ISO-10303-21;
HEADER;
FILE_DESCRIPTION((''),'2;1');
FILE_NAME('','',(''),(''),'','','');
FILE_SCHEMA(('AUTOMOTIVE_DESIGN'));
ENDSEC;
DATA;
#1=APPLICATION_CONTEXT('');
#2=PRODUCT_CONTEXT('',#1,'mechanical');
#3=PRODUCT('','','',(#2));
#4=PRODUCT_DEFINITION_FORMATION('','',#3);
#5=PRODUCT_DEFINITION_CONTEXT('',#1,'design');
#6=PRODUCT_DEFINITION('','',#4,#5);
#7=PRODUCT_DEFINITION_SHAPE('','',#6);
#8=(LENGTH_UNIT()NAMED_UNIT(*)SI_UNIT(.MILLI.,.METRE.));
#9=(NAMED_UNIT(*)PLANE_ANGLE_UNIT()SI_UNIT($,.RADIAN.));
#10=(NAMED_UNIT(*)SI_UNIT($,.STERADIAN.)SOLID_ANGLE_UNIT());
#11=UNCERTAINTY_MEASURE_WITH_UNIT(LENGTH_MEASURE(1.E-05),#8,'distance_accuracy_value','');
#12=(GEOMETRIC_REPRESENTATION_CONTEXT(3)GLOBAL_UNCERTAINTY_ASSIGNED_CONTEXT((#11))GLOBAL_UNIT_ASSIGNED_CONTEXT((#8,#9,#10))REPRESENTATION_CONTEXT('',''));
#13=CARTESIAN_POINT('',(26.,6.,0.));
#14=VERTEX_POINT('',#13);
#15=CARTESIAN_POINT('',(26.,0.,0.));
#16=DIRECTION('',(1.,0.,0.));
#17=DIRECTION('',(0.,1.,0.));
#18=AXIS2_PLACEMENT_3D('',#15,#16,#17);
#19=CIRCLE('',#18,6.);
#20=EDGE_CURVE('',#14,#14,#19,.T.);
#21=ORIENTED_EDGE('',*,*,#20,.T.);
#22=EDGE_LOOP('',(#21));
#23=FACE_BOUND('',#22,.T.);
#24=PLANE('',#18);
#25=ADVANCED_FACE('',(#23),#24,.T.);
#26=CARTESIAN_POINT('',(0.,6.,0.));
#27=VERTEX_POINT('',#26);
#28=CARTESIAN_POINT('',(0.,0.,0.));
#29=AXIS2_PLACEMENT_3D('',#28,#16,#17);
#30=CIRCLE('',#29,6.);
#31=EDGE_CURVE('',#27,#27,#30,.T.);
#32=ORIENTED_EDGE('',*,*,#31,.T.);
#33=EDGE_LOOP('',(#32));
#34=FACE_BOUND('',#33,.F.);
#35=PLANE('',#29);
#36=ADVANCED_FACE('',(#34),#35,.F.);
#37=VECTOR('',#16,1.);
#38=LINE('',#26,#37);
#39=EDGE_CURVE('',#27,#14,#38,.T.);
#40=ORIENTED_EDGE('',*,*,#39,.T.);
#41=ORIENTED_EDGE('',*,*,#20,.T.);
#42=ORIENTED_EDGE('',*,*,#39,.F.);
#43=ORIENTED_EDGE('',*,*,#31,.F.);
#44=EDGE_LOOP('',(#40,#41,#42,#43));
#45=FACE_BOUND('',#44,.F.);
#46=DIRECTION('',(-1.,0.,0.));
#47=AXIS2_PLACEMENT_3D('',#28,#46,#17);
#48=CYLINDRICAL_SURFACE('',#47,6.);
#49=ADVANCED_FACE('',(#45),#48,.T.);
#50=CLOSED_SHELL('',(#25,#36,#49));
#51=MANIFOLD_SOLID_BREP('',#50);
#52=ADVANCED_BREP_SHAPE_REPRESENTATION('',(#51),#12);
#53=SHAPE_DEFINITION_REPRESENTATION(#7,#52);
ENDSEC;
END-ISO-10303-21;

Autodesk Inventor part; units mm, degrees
ref_plane "YZ Plane" through (0, 0, 0) normal (1, 0, 0) x (0, 1, 0)
ref_plane "XZ Plane" through (0, 0, 0) normal (0, 1, 0) x (-1, 0, 0)
ref_plane "XY Plane" through (0, 0, 0) normal (0, 0, 1) x (1, 0, 0)
sketch "Esboço1" plane through (0, 0, 0) normal (1, 0, 0) x (0, 1, 0)
  circle A0 centre (0, 0) radius 6
  dimension "d3" = 12
extrude "Extrusão1" add sketch "Esboço1" along normal blind 26
properties part number "cilindro meio"
